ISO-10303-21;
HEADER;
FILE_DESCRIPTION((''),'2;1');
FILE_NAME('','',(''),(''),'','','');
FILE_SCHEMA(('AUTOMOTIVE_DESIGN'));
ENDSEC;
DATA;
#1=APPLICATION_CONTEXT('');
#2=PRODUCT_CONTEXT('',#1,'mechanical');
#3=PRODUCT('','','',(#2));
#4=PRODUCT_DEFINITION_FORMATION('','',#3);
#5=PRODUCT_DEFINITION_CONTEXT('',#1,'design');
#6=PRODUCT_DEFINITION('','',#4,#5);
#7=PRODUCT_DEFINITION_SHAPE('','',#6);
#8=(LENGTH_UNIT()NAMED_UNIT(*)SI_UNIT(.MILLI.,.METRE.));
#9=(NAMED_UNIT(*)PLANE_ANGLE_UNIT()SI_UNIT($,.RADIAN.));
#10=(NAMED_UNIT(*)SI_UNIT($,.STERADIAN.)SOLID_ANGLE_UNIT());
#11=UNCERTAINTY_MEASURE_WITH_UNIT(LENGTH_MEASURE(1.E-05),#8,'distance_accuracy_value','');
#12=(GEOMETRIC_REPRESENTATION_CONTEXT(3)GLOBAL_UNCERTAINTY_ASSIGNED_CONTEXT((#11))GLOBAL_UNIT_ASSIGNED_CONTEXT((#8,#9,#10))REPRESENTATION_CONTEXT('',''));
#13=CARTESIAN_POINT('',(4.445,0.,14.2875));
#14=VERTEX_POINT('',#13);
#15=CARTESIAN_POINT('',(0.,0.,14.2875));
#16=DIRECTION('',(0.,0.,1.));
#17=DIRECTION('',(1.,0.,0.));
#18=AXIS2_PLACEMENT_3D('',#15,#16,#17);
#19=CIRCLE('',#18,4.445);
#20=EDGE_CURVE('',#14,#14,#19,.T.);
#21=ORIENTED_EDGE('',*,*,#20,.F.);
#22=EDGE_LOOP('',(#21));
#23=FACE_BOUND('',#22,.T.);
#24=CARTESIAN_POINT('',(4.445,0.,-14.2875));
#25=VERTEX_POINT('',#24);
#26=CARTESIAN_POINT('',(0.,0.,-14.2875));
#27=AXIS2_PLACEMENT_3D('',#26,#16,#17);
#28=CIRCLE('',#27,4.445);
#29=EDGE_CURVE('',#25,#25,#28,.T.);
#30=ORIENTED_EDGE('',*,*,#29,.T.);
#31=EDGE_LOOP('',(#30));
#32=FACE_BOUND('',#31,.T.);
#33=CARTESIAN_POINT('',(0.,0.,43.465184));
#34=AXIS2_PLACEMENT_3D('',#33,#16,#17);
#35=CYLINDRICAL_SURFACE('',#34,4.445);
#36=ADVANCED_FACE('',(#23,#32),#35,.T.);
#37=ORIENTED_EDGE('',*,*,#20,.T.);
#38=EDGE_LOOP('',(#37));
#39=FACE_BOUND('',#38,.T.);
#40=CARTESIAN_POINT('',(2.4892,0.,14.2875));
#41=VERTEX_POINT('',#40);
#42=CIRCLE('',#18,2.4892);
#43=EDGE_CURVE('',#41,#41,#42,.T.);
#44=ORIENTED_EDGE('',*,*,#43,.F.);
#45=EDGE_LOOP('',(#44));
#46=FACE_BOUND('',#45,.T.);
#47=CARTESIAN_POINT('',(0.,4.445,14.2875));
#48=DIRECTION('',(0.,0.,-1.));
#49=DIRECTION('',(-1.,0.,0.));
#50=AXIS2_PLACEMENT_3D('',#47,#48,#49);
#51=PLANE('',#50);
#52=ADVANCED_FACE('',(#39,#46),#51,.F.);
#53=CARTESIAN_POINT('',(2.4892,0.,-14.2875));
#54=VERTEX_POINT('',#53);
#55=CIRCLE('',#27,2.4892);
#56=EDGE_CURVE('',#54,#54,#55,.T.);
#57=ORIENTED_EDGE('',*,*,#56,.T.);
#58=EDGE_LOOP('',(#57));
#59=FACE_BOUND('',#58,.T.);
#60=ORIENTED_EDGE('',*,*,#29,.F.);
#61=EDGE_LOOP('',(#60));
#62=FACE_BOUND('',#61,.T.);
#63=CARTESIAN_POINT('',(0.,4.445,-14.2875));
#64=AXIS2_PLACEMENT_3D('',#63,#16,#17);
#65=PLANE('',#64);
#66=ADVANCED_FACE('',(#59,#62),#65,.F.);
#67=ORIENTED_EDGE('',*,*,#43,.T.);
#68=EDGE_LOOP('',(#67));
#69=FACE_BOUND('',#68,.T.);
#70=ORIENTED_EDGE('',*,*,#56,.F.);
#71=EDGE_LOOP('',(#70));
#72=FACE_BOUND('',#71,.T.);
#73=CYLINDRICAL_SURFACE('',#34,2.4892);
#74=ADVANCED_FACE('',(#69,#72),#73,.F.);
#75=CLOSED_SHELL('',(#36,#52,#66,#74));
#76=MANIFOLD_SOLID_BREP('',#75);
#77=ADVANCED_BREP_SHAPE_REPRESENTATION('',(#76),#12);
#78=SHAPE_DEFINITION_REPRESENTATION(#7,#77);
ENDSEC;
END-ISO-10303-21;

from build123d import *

# Parameters (mm, degrees)
SKETCH1_W = 28.575
SKETCH1_H = 1.9558


with BuildPart() as part:
    # Sketch1 → Revolve1 (revolve)
    with BuildSketch(Plane(origin=(0, 0, 0), x_dir=(0, 0, -1), z_dir=(1, 0, 0)), mode=Mode.PRIVATE) as revolve1_sk:
        with Locations((0, 3.4671)):
            Rectangle(SKETCH1_W, SKETCH1_H)
    revolve(revolve1_sk.sketch.rotate(Axis((0, 0, 43.465184419), (0, 0, -1)), 90), axis=Axis((0, 0, 43.465184419), (0, 0, -1)))


solid = part.part
